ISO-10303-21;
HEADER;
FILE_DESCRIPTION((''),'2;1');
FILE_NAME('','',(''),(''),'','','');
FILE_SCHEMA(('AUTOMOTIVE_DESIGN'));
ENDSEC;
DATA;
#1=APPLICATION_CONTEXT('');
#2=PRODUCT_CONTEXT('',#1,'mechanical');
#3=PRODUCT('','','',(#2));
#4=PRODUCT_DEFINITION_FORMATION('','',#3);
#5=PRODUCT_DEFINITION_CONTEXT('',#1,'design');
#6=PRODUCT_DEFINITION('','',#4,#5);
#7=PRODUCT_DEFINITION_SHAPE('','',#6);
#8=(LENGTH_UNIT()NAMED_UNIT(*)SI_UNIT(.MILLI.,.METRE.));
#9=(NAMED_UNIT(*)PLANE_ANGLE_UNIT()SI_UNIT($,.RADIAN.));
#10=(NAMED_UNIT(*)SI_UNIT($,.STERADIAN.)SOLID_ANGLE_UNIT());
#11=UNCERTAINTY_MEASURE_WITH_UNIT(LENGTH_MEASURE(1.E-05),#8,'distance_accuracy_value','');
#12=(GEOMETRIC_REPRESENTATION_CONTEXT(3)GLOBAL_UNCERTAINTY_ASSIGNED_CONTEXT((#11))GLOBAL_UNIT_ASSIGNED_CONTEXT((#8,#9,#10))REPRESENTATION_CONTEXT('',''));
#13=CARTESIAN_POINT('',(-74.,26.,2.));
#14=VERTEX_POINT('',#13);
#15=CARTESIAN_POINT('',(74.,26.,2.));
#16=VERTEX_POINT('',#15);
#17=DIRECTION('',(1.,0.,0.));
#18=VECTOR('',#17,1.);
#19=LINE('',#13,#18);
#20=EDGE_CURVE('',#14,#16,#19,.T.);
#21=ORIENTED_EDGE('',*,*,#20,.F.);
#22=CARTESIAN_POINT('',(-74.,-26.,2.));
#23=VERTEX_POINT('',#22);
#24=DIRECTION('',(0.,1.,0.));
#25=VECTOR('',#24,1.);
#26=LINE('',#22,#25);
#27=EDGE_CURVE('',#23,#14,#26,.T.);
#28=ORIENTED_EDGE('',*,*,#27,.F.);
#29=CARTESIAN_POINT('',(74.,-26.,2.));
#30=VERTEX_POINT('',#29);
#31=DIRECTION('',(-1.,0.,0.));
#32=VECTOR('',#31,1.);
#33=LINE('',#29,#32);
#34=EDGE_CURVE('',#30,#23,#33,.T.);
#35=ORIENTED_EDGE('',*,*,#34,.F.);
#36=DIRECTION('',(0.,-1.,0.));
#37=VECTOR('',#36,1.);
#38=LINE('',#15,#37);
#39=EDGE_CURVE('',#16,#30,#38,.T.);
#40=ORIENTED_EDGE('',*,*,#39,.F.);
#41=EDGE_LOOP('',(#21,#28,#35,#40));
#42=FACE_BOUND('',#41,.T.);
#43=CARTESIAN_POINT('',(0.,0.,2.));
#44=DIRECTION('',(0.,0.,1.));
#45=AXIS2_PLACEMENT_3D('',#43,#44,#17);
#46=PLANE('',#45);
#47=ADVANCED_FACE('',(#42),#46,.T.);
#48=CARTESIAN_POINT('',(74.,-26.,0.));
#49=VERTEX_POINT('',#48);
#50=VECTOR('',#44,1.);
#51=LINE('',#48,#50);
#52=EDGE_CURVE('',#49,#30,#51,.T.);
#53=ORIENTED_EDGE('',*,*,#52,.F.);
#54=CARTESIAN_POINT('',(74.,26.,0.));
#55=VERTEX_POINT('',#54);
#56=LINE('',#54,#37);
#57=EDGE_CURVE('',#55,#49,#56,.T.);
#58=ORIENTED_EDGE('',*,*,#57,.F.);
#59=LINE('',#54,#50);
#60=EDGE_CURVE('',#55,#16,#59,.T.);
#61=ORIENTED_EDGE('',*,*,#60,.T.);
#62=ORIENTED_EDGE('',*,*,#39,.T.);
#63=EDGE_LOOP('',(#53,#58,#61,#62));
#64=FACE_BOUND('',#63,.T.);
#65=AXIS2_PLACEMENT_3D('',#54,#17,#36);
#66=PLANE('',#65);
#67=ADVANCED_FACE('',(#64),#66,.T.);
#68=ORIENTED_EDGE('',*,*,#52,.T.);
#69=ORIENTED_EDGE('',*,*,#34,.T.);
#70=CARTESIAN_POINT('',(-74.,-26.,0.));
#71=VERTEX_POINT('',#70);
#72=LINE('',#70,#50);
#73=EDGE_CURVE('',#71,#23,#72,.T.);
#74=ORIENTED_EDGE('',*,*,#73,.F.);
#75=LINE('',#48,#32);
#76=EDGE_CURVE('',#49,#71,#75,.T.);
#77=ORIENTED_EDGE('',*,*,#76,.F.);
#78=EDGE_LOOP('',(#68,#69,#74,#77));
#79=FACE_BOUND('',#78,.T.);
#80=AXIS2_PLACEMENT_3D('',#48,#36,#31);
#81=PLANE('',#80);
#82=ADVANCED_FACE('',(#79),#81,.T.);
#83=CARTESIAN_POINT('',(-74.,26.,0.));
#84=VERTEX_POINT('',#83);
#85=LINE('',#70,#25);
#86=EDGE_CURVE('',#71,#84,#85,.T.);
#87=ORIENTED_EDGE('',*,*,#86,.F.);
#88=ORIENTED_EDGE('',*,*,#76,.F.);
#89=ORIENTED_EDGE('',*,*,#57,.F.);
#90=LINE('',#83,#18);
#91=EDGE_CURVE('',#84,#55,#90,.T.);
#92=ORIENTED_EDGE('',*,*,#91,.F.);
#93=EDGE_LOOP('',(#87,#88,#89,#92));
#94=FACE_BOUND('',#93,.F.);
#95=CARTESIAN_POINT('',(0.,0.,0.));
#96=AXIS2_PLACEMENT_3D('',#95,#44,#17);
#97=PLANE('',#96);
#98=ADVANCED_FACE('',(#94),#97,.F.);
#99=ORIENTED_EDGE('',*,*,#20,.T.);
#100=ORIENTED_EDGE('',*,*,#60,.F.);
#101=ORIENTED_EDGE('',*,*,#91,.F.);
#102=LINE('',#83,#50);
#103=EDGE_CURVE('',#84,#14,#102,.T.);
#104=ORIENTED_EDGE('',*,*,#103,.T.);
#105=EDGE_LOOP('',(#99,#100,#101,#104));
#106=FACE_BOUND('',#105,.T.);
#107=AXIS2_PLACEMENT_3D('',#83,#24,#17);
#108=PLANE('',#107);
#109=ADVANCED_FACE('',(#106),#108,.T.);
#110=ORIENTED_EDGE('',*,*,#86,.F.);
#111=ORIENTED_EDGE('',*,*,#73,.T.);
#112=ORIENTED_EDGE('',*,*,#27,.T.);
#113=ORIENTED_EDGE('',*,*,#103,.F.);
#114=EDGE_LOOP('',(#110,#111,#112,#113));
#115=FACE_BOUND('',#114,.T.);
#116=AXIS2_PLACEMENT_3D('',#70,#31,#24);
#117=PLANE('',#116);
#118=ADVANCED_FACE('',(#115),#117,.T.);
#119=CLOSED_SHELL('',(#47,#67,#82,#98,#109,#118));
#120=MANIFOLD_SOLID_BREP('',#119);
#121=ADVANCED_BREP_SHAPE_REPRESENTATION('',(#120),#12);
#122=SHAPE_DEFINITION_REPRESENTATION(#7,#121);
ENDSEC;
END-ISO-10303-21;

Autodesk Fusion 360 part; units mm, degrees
sketch "Skizze1" plane through (0, 0, 0) normal (0, 0, 1) x (1, 0, 0)
  line L0 (74, -26) -> (-74, -26)
  line L1 (-74, -26) -> (-74, 26)
  line L2 (-74, 26) -> (74, 26)
  line L3 (74, 26) -> (74, -26)
  line L4 (74, -26) -> (-74, 26) construction
  line L5 (-74, -26) -> (74, 26) construction
  dimension "d1" = 148
  dimension "d2" = 52
extrude "Extrusion1" add sketch "Skizze1" along normal blind 2
